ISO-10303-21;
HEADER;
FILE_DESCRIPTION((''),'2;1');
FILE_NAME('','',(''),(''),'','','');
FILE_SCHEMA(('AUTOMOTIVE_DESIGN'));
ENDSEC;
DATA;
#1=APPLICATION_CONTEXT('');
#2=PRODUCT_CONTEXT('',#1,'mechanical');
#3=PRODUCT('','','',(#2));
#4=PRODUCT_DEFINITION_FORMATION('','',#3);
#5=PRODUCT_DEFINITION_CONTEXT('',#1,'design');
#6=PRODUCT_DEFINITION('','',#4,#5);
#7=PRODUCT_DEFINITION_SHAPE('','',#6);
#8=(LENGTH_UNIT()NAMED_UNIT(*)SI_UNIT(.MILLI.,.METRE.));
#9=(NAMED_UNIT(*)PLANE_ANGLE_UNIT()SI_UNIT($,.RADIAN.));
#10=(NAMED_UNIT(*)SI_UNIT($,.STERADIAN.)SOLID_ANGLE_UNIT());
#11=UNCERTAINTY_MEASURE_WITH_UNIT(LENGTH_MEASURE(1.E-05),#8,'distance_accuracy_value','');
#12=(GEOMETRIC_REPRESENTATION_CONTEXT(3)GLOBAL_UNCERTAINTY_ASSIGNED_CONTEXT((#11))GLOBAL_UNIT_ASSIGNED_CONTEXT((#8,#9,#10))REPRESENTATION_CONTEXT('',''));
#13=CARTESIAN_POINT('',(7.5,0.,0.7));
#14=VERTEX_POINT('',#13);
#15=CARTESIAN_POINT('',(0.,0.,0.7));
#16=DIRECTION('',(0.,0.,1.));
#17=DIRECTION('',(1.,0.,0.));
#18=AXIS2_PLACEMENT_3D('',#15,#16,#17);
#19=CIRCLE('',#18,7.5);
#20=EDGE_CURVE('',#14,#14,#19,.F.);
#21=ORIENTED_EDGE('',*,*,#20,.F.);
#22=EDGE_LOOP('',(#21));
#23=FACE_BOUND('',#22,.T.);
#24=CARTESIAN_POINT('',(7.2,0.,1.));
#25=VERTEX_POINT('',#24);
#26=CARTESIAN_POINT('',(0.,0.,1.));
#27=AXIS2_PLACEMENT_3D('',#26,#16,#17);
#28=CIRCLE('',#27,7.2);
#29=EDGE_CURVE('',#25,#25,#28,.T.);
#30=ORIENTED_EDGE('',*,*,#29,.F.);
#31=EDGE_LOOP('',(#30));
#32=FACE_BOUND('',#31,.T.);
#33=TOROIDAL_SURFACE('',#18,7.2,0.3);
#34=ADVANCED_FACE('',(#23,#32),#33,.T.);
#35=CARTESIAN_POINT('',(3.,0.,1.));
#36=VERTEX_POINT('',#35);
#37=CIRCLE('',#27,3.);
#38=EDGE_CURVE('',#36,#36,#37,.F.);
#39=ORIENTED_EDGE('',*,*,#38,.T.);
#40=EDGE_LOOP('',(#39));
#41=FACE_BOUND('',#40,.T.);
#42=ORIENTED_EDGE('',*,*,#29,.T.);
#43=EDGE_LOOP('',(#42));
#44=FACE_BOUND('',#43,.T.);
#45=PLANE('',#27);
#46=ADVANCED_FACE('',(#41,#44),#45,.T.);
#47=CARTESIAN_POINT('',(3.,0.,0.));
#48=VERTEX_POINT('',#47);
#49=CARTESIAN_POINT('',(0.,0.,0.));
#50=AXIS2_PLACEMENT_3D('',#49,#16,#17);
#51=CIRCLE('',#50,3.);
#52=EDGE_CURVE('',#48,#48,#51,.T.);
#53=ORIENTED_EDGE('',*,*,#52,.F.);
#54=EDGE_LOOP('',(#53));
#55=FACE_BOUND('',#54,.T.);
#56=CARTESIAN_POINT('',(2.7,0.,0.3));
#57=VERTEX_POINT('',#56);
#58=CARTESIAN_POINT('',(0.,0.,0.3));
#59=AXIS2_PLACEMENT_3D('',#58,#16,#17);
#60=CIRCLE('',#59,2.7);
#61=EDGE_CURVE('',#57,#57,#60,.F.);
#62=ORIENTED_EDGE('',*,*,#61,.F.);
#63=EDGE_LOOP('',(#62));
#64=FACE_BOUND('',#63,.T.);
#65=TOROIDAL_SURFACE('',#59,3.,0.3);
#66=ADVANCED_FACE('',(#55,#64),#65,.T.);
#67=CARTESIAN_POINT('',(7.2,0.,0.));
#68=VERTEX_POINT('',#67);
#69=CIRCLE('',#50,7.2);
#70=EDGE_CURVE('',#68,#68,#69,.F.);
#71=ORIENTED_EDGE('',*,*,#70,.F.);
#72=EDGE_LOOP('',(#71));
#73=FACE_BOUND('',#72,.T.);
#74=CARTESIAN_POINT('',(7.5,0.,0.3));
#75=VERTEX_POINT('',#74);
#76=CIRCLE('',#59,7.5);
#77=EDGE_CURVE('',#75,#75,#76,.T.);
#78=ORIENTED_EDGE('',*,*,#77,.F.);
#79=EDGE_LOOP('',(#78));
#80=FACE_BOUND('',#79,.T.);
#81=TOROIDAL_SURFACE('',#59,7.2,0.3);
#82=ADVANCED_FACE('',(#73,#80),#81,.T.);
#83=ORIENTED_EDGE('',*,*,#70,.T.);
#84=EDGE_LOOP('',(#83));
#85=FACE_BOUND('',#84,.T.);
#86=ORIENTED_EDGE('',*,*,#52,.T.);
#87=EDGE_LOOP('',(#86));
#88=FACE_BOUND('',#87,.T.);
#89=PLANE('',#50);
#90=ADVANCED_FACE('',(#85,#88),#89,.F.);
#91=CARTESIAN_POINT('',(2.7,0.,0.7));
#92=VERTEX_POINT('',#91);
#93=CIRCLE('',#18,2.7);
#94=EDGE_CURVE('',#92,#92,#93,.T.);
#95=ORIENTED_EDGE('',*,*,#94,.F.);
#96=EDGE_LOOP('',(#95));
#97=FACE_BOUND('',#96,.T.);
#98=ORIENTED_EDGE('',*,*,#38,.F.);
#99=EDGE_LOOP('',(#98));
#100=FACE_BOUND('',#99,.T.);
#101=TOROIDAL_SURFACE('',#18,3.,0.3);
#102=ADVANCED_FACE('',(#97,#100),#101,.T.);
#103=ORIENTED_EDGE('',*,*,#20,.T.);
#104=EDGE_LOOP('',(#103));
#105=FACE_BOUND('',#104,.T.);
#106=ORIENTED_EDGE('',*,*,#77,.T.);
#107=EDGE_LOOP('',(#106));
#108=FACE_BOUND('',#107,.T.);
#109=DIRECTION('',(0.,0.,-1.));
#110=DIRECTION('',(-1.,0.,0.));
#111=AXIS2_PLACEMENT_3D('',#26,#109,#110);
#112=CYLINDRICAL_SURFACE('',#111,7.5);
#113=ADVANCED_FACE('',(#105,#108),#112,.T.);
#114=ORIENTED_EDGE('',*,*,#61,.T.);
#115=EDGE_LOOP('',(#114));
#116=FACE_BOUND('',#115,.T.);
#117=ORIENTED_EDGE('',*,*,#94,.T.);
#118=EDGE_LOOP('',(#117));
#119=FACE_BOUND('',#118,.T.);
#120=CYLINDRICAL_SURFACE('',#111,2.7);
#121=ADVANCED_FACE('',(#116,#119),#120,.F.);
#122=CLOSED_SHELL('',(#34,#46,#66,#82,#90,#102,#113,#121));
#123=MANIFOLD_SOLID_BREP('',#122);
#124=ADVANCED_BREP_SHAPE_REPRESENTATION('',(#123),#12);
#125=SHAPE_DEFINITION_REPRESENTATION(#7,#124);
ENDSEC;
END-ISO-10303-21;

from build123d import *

# Parameters (mm, degrees)
ESBO_O1_R                = 7.5
ESBO_O1_R_2              = 2.7
RESSALTO_EXTRUS_O1_DEPTH = 1
FILETE1_R                = 0.3


with BuildPart() as part:
    # Esboço1 → Ressalto-extrusão1 (new body)
    with BuildSketch(Plane.XY):
        Circle(ESBO_O1_R)
        Circle(ESBO_O1_R_2, mode=Mode.SUBTRACT)
    extrude(amount=RESSALTO_EXTRUS_O1_DEPTH)

    # Filete1
    filete1_edges = [part.edges().sort_by_distance(p)[0] for p in [
        (-7.5, 0, 0),
        (-7.5, 0, 1),
        (-2.7, 0, 0),
        (-2.7, 0, 1),
    ]]
    fillet(filete1_edges, radius=FILETE1_R)


solid = part.part
